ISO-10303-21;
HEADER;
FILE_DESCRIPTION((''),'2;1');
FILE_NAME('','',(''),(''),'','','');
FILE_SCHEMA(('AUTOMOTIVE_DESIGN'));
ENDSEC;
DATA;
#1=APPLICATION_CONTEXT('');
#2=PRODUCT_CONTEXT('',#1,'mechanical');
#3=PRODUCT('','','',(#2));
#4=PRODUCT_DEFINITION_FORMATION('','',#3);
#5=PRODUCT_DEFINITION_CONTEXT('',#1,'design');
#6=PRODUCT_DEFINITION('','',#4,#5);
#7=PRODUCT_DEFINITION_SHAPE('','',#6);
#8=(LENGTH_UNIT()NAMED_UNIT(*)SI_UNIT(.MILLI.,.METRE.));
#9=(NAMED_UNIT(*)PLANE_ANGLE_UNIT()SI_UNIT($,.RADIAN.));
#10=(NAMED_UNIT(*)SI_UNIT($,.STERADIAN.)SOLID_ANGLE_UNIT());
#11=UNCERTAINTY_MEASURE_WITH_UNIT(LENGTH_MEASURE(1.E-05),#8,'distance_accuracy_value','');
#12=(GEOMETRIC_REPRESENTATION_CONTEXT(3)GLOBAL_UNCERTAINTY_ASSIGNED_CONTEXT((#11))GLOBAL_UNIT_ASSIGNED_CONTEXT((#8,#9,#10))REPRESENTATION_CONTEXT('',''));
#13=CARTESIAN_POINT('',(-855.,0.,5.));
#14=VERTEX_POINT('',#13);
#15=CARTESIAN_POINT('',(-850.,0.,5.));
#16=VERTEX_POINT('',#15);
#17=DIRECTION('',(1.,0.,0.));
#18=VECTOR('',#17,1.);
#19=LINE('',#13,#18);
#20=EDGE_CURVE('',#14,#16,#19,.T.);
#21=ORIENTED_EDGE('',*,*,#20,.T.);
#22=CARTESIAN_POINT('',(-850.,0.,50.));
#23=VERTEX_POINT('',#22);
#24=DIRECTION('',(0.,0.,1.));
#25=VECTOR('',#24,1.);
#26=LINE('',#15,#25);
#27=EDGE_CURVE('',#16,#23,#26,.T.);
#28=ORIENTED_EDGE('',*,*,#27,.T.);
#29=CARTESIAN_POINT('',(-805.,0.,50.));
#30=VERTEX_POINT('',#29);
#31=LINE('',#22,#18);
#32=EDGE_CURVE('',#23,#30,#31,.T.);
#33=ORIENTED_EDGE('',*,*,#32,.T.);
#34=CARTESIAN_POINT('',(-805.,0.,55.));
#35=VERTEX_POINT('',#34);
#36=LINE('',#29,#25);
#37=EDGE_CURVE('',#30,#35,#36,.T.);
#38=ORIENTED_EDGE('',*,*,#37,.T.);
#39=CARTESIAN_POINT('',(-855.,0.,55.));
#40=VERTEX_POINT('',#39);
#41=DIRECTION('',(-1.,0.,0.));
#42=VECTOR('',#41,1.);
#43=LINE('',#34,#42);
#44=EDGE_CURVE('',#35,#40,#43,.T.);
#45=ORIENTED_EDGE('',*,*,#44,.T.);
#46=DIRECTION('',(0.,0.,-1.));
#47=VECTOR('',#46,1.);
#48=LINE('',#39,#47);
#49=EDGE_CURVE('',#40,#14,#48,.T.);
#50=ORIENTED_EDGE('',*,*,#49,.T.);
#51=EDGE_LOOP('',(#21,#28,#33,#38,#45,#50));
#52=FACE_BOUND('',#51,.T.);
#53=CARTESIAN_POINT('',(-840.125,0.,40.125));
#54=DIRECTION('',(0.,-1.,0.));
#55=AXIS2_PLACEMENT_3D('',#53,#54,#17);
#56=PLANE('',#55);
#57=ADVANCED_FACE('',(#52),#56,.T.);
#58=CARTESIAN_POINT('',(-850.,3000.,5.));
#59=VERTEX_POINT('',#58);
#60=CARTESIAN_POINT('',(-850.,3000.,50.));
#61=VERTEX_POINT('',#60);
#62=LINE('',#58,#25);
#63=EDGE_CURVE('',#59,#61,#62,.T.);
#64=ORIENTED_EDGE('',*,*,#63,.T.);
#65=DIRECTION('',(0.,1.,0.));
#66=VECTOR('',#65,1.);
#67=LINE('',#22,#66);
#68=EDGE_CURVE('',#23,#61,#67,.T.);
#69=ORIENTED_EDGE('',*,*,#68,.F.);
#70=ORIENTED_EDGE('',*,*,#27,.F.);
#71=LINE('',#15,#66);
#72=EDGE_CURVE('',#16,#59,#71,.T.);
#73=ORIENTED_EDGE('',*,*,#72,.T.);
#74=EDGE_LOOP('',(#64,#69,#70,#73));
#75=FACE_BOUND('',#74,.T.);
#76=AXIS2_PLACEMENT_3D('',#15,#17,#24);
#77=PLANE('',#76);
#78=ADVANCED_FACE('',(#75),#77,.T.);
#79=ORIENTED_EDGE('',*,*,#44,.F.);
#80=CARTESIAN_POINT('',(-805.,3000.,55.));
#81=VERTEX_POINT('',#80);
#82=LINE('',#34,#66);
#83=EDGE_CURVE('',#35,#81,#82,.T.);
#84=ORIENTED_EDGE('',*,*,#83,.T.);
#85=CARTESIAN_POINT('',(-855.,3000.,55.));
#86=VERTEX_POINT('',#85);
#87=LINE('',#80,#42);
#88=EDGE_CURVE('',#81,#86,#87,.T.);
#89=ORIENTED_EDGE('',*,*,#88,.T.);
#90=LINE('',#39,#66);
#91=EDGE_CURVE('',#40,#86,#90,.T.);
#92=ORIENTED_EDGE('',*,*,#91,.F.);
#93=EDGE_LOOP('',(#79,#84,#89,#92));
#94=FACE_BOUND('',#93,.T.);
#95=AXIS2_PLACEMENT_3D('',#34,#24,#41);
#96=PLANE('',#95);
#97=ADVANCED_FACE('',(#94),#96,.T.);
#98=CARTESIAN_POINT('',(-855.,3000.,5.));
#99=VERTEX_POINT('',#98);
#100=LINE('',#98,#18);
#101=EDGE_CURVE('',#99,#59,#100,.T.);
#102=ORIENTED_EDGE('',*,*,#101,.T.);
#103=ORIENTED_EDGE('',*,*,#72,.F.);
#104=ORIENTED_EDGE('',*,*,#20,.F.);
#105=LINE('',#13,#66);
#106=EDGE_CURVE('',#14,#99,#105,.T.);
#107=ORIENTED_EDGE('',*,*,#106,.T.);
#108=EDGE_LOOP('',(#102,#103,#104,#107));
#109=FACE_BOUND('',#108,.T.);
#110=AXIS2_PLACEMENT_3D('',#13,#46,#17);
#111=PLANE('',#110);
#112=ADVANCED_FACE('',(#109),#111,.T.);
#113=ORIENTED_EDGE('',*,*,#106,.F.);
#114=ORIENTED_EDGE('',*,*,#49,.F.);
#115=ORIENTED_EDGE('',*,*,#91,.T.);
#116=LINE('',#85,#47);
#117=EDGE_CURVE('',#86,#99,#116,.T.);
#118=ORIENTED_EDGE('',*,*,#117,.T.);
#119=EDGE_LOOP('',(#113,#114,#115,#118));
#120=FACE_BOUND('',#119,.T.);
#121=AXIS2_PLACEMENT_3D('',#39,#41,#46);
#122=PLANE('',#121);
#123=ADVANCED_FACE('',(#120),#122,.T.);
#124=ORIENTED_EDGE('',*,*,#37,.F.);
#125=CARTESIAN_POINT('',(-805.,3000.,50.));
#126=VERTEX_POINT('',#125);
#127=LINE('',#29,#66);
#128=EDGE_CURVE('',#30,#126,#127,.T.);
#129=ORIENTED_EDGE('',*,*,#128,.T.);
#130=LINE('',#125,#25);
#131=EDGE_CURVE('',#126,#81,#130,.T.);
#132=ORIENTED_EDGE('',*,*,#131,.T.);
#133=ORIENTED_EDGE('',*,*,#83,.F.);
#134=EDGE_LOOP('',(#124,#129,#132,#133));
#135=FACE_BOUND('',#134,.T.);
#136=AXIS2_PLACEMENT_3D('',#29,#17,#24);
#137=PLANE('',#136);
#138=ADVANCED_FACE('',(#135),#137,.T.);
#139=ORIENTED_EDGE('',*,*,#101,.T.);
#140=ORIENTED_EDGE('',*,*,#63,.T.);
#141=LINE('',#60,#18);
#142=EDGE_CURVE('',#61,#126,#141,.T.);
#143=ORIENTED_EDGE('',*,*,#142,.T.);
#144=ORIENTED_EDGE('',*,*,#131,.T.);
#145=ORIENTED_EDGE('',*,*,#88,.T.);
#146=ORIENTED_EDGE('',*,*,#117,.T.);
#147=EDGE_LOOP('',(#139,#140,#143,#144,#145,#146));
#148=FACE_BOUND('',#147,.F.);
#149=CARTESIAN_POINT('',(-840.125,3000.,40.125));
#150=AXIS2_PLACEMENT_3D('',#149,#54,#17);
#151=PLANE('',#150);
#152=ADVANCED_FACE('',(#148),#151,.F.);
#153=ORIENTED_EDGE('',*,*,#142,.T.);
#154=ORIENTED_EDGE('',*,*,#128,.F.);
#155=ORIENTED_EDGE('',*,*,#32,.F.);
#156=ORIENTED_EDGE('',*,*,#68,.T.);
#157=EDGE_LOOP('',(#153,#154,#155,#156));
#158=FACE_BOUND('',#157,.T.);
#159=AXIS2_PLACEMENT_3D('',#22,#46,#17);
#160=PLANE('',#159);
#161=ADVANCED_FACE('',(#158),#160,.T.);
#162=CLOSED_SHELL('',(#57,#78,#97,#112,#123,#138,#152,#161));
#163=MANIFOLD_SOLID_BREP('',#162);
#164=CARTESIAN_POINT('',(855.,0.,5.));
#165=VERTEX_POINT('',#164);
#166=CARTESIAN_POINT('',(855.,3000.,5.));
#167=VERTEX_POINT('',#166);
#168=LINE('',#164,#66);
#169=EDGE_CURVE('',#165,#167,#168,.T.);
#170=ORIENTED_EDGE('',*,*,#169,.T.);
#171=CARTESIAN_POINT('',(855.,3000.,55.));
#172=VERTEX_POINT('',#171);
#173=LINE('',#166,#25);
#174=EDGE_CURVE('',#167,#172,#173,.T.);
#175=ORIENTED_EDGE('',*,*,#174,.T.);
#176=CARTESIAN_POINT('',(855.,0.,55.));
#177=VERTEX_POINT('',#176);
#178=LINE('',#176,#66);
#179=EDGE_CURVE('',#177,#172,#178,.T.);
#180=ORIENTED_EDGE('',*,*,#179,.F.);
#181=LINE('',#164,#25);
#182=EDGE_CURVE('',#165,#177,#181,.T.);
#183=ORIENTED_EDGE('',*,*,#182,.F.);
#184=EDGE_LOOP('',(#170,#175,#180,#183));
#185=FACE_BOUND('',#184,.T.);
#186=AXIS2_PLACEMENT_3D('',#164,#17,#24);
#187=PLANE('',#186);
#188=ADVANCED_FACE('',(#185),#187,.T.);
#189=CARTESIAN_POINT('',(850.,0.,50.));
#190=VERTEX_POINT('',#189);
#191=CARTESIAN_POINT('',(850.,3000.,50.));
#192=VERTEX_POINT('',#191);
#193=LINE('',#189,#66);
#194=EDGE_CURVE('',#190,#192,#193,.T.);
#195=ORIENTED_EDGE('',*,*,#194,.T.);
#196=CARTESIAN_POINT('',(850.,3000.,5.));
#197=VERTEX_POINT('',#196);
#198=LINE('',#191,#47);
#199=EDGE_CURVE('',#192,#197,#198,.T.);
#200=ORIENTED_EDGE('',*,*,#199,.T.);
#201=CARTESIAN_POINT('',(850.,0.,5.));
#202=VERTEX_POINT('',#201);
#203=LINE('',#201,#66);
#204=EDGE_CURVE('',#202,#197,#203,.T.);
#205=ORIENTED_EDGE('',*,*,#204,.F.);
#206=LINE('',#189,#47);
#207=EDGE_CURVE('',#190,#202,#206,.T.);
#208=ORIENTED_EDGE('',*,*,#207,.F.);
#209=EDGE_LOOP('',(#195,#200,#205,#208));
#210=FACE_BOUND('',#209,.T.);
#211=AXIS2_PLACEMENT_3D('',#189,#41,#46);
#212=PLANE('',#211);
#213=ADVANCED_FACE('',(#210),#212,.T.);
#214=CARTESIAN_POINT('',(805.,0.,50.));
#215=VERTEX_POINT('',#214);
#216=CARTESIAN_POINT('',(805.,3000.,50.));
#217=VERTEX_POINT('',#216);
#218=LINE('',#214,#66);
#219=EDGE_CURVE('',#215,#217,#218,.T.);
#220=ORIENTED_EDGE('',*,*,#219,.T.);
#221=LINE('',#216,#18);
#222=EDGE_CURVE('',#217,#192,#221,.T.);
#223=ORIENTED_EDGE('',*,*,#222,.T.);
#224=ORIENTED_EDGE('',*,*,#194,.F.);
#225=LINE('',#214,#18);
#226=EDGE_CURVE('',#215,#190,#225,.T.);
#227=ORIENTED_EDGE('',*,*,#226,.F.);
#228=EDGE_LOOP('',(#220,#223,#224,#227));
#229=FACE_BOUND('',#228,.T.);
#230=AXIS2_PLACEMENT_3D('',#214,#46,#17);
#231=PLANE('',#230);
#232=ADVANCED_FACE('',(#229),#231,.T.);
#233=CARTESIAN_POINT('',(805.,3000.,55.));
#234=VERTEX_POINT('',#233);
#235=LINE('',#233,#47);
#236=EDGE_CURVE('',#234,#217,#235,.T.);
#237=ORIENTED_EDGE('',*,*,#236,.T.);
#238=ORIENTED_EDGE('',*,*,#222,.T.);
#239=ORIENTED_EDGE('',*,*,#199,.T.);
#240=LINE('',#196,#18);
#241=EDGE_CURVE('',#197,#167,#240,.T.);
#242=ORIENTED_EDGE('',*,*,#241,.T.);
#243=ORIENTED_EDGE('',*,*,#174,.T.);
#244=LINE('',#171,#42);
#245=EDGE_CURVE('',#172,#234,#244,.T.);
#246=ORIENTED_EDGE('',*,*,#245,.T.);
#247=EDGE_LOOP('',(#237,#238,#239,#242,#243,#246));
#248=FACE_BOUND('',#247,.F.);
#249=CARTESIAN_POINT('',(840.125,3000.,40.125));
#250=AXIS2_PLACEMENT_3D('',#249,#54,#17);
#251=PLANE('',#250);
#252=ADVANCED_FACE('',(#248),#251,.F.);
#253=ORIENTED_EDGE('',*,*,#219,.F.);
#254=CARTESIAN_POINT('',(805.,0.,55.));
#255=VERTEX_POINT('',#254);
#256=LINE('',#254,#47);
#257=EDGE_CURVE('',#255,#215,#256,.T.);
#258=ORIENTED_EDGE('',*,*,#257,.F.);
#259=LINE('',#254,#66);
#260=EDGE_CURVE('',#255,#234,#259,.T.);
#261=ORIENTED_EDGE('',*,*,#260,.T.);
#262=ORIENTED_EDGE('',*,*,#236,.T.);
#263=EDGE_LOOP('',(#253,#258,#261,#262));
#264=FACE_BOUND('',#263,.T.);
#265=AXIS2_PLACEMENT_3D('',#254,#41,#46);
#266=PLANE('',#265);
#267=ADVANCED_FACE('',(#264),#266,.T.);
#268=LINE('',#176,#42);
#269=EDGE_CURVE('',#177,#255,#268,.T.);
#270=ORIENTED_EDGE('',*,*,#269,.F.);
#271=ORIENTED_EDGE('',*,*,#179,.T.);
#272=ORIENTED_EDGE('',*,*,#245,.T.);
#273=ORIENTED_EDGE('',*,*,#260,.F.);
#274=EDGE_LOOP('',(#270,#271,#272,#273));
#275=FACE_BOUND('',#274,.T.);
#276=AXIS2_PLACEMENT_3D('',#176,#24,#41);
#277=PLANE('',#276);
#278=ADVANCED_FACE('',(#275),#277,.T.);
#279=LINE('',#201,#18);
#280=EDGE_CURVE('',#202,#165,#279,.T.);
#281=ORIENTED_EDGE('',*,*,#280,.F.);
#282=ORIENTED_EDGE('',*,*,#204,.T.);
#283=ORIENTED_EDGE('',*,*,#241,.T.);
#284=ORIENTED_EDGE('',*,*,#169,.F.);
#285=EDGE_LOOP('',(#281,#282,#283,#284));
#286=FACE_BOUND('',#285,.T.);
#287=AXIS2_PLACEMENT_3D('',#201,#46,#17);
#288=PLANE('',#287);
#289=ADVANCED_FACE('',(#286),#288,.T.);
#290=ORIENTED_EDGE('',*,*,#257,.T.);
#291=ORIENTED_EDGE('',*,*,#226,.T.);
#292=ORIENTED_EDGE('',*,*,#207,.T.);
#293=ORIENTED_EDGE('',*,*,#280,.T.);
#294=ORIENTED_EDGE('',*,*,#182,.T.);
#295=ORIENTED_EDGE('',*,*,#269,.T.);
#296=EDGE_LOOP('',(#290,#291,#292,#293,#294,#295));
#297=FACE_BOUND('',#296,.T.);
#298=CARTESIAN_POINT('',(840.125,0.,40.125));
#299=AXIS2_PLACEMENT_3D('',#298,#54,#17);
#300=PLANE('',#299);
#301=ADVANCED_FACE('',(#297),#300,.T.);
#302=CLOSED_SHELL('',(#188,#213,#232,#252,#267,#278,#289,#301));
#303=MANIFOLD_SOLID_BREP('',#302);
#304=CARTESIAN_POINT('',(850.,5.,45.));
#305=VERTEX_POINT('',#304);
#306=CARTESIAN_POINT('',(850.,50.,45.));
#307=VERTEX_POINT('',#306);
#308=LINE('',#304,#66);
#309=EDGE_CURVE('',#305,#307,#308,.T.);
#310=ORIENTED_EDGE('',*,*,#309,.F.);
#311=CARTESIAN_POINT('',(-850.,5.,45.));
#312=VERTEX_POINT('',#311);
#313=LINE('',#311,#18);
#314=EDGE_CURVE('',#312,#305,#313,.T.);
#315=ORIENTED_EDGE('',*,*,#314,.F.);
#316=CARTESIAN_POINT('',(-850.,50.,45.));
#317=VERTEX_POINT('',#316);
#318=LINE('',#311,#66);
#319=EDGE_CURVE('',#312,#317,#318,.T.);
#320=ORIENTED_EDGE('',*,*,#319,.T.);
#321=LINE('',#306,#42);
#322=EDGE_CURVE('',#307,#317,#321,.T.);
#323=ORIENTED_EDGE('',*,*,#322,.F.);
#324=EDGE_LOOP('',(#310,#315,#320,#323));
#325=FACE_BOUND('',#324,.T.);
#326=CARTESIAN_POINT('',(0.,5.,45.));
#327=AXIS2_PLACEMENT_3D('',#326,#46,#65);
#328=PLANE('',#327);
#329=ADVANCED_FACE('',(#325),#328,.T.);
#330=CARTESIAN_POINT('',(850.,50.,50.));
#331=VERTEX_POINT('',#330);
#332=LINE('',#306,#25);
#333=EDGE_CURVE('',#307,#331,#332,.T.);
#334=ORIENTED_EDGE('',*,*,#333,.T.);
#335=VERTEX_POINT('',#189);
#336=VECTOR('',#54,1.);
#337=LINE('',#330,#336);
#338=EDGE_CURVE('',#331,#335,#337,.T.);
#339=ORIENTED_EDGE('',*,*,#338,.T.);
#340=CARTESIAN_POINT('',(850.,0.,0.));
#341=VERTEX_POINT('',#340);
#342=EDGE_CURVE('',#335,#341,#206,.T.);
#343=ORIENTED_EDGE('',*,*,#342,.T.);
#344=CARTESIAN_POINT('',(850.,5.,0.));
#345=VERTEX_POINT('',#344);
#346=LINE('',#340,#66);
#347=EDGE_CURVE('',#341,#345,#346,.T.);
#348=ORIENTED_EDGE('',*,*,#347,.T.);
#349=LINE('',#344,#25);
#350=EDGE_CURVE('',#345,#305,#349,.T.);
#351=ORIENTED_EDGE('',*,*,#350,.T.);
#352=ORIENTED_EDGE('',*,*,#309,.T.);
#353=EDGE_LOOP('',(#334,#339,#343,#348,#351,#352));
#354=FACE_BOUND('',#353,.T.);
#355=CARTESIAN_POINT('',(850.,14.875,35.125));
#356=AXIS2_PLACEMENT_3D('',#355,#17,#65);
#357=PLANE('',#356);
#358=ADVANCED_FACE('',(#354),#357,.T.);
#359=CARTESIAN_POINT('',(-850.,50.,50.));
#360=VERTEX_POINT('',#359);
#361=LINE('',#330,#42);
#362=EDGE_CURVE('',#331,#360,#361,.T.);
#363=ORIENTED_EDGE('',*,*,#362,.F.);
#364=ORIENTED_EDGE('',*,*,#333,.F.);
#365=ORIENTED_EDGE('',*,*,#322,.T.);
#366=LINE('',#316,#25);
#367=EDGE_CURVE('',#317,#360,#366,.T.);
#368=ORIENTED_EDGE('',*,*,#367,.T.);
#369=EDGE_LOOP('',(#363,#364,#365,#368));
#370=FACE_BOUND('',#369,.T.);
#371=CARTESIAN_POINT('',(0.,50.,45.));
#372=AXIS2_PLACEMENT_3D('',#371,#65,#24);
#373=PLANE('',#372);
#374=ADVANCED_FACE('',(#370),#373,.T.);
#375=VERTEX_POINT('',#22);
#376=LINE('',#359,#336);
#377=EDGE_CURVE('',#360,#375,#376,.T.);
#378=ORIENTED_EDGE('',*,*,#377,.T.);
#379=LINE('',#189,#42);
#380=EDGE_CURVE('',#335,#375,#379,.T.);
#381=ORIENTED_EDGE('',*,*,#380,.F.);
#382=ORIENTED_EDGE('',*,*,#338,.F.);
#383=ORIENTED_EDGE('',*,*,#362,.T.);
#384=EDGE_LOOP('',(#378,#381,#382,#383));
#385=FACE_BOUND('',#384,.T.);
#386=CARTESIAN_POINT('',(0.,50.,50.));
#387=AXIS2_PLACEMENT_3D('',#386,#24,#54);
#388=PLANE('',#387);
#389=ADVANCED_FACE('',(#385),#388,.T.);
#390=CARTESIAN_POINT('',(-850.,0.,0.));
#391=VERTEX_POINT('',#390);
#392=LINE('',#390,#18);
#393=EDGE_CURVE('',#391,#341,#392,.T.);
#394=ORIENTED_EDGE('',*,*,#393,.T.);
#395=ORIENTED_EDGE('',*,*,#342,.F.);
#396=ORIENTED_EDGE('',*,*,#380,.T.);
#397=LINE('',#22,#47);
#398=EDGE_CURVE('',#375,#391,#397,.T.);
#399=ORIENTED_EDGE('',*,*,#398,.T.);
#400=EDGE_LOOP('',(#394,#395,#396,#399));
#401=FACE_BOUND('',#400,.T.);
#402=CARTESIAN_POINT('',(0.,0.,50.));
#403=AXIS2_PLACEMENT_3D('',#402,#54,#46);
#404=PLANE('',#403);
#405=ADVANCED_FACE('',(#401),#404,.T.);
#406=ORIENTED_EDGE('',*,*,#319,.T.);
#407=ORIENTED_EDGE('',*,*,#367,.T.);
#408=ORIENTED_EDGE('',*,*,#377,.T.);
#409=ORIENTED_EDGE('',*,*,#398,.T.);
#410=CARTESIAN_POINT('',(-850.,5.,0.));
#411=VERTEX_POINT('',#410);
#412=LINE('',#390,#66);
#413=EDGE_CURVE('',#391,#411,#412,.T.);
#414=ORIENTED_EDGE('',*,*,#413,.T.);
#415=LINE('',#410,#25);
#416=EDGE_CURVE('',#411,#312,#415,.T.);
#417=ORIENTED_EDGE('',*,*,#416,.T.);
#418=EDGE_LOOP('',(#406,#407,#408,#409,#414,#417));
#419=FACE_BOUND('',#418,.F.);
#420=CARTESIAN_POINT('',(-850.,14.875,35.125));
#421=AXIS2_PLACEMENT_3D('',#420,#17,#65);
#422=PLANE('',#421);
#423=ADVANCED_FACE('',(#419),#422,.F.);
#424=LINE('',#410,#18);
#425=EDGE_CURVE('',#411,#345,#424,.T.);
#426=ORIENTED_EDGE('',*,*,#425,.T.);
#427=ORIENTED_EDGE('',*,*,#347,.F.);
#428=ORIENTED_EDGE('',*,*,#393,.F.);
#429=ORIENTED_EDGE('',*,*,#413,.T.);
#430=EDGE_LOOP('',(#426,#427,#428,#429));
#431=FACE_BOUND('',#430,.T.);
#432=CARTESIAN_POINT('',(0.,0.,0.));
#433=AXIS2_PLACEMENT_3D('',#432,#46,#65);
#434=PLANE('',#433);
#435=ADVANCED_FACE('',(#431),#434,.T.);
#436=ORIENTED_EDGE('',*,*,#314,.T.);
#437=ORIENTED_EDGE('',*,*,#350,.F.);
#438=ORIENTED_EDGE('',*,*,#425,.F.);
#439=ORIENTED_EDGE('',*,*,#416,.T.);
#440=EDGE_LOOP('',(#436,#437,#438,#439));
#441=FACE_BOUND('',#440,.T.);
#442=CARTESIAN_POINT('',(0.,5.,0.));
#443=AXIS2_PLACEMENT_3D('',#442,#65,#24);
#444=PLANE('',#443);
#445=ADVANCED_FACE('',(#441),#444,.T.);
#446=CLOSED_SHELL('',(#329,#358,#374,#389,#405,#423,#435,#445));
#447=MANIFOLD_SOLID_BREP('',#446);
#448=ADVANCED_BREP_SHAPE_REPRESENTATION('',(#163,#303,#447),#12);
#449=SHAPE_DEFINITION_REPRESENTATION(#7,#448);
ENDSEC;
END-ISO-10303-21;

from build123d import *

# Parameters (mm, degrees)
F1_DEPTH = 850
F2_DEPTH = 850
F4_DEPTH = 3000
F6_DEPTH = 3000


with BuildPart() as f1:
    # F0 (on Right) → F1 (new body)
    with BuildSketch(Plane.YZ):
        Polygon((0, 50), (0, 0), (5, 0), (5, 45), (50, 45), (50, 50), align=None)
    extrude(amount=F1_DEPTH)

    # F2 (add): a face of the model
    f2_faces = [f1.faces().sort_by_distance(p)[0] for p in [
        (0, 0.7071067812, 25),
    ]]
    extrude(f2_faces, amount=F2_DEPTH)


with BuildPart() as f4:
    # F3 (on face) → F4 (new body)
    with BuildSketch(Plane.XZ):
        Polygon((805, 50), (850, 50), (850, 5), (855, 5), (855, 55), (805, 55), align=None)
    extrude(amount=-F4_DEPTH)


with BuildPart() as f6:
    # F5 (on face) → F6 (new body)
    with BuildSketch(Plane.XZ):
        Polygon((-850, 5), (-850, 50), (-805, 50), (-805, 55), (-855, 55), (-855, 5), align=None)
    extrude(amount=-F6_DEPTH)


solid = Compound([f1.part, f4.part, f6.part])
